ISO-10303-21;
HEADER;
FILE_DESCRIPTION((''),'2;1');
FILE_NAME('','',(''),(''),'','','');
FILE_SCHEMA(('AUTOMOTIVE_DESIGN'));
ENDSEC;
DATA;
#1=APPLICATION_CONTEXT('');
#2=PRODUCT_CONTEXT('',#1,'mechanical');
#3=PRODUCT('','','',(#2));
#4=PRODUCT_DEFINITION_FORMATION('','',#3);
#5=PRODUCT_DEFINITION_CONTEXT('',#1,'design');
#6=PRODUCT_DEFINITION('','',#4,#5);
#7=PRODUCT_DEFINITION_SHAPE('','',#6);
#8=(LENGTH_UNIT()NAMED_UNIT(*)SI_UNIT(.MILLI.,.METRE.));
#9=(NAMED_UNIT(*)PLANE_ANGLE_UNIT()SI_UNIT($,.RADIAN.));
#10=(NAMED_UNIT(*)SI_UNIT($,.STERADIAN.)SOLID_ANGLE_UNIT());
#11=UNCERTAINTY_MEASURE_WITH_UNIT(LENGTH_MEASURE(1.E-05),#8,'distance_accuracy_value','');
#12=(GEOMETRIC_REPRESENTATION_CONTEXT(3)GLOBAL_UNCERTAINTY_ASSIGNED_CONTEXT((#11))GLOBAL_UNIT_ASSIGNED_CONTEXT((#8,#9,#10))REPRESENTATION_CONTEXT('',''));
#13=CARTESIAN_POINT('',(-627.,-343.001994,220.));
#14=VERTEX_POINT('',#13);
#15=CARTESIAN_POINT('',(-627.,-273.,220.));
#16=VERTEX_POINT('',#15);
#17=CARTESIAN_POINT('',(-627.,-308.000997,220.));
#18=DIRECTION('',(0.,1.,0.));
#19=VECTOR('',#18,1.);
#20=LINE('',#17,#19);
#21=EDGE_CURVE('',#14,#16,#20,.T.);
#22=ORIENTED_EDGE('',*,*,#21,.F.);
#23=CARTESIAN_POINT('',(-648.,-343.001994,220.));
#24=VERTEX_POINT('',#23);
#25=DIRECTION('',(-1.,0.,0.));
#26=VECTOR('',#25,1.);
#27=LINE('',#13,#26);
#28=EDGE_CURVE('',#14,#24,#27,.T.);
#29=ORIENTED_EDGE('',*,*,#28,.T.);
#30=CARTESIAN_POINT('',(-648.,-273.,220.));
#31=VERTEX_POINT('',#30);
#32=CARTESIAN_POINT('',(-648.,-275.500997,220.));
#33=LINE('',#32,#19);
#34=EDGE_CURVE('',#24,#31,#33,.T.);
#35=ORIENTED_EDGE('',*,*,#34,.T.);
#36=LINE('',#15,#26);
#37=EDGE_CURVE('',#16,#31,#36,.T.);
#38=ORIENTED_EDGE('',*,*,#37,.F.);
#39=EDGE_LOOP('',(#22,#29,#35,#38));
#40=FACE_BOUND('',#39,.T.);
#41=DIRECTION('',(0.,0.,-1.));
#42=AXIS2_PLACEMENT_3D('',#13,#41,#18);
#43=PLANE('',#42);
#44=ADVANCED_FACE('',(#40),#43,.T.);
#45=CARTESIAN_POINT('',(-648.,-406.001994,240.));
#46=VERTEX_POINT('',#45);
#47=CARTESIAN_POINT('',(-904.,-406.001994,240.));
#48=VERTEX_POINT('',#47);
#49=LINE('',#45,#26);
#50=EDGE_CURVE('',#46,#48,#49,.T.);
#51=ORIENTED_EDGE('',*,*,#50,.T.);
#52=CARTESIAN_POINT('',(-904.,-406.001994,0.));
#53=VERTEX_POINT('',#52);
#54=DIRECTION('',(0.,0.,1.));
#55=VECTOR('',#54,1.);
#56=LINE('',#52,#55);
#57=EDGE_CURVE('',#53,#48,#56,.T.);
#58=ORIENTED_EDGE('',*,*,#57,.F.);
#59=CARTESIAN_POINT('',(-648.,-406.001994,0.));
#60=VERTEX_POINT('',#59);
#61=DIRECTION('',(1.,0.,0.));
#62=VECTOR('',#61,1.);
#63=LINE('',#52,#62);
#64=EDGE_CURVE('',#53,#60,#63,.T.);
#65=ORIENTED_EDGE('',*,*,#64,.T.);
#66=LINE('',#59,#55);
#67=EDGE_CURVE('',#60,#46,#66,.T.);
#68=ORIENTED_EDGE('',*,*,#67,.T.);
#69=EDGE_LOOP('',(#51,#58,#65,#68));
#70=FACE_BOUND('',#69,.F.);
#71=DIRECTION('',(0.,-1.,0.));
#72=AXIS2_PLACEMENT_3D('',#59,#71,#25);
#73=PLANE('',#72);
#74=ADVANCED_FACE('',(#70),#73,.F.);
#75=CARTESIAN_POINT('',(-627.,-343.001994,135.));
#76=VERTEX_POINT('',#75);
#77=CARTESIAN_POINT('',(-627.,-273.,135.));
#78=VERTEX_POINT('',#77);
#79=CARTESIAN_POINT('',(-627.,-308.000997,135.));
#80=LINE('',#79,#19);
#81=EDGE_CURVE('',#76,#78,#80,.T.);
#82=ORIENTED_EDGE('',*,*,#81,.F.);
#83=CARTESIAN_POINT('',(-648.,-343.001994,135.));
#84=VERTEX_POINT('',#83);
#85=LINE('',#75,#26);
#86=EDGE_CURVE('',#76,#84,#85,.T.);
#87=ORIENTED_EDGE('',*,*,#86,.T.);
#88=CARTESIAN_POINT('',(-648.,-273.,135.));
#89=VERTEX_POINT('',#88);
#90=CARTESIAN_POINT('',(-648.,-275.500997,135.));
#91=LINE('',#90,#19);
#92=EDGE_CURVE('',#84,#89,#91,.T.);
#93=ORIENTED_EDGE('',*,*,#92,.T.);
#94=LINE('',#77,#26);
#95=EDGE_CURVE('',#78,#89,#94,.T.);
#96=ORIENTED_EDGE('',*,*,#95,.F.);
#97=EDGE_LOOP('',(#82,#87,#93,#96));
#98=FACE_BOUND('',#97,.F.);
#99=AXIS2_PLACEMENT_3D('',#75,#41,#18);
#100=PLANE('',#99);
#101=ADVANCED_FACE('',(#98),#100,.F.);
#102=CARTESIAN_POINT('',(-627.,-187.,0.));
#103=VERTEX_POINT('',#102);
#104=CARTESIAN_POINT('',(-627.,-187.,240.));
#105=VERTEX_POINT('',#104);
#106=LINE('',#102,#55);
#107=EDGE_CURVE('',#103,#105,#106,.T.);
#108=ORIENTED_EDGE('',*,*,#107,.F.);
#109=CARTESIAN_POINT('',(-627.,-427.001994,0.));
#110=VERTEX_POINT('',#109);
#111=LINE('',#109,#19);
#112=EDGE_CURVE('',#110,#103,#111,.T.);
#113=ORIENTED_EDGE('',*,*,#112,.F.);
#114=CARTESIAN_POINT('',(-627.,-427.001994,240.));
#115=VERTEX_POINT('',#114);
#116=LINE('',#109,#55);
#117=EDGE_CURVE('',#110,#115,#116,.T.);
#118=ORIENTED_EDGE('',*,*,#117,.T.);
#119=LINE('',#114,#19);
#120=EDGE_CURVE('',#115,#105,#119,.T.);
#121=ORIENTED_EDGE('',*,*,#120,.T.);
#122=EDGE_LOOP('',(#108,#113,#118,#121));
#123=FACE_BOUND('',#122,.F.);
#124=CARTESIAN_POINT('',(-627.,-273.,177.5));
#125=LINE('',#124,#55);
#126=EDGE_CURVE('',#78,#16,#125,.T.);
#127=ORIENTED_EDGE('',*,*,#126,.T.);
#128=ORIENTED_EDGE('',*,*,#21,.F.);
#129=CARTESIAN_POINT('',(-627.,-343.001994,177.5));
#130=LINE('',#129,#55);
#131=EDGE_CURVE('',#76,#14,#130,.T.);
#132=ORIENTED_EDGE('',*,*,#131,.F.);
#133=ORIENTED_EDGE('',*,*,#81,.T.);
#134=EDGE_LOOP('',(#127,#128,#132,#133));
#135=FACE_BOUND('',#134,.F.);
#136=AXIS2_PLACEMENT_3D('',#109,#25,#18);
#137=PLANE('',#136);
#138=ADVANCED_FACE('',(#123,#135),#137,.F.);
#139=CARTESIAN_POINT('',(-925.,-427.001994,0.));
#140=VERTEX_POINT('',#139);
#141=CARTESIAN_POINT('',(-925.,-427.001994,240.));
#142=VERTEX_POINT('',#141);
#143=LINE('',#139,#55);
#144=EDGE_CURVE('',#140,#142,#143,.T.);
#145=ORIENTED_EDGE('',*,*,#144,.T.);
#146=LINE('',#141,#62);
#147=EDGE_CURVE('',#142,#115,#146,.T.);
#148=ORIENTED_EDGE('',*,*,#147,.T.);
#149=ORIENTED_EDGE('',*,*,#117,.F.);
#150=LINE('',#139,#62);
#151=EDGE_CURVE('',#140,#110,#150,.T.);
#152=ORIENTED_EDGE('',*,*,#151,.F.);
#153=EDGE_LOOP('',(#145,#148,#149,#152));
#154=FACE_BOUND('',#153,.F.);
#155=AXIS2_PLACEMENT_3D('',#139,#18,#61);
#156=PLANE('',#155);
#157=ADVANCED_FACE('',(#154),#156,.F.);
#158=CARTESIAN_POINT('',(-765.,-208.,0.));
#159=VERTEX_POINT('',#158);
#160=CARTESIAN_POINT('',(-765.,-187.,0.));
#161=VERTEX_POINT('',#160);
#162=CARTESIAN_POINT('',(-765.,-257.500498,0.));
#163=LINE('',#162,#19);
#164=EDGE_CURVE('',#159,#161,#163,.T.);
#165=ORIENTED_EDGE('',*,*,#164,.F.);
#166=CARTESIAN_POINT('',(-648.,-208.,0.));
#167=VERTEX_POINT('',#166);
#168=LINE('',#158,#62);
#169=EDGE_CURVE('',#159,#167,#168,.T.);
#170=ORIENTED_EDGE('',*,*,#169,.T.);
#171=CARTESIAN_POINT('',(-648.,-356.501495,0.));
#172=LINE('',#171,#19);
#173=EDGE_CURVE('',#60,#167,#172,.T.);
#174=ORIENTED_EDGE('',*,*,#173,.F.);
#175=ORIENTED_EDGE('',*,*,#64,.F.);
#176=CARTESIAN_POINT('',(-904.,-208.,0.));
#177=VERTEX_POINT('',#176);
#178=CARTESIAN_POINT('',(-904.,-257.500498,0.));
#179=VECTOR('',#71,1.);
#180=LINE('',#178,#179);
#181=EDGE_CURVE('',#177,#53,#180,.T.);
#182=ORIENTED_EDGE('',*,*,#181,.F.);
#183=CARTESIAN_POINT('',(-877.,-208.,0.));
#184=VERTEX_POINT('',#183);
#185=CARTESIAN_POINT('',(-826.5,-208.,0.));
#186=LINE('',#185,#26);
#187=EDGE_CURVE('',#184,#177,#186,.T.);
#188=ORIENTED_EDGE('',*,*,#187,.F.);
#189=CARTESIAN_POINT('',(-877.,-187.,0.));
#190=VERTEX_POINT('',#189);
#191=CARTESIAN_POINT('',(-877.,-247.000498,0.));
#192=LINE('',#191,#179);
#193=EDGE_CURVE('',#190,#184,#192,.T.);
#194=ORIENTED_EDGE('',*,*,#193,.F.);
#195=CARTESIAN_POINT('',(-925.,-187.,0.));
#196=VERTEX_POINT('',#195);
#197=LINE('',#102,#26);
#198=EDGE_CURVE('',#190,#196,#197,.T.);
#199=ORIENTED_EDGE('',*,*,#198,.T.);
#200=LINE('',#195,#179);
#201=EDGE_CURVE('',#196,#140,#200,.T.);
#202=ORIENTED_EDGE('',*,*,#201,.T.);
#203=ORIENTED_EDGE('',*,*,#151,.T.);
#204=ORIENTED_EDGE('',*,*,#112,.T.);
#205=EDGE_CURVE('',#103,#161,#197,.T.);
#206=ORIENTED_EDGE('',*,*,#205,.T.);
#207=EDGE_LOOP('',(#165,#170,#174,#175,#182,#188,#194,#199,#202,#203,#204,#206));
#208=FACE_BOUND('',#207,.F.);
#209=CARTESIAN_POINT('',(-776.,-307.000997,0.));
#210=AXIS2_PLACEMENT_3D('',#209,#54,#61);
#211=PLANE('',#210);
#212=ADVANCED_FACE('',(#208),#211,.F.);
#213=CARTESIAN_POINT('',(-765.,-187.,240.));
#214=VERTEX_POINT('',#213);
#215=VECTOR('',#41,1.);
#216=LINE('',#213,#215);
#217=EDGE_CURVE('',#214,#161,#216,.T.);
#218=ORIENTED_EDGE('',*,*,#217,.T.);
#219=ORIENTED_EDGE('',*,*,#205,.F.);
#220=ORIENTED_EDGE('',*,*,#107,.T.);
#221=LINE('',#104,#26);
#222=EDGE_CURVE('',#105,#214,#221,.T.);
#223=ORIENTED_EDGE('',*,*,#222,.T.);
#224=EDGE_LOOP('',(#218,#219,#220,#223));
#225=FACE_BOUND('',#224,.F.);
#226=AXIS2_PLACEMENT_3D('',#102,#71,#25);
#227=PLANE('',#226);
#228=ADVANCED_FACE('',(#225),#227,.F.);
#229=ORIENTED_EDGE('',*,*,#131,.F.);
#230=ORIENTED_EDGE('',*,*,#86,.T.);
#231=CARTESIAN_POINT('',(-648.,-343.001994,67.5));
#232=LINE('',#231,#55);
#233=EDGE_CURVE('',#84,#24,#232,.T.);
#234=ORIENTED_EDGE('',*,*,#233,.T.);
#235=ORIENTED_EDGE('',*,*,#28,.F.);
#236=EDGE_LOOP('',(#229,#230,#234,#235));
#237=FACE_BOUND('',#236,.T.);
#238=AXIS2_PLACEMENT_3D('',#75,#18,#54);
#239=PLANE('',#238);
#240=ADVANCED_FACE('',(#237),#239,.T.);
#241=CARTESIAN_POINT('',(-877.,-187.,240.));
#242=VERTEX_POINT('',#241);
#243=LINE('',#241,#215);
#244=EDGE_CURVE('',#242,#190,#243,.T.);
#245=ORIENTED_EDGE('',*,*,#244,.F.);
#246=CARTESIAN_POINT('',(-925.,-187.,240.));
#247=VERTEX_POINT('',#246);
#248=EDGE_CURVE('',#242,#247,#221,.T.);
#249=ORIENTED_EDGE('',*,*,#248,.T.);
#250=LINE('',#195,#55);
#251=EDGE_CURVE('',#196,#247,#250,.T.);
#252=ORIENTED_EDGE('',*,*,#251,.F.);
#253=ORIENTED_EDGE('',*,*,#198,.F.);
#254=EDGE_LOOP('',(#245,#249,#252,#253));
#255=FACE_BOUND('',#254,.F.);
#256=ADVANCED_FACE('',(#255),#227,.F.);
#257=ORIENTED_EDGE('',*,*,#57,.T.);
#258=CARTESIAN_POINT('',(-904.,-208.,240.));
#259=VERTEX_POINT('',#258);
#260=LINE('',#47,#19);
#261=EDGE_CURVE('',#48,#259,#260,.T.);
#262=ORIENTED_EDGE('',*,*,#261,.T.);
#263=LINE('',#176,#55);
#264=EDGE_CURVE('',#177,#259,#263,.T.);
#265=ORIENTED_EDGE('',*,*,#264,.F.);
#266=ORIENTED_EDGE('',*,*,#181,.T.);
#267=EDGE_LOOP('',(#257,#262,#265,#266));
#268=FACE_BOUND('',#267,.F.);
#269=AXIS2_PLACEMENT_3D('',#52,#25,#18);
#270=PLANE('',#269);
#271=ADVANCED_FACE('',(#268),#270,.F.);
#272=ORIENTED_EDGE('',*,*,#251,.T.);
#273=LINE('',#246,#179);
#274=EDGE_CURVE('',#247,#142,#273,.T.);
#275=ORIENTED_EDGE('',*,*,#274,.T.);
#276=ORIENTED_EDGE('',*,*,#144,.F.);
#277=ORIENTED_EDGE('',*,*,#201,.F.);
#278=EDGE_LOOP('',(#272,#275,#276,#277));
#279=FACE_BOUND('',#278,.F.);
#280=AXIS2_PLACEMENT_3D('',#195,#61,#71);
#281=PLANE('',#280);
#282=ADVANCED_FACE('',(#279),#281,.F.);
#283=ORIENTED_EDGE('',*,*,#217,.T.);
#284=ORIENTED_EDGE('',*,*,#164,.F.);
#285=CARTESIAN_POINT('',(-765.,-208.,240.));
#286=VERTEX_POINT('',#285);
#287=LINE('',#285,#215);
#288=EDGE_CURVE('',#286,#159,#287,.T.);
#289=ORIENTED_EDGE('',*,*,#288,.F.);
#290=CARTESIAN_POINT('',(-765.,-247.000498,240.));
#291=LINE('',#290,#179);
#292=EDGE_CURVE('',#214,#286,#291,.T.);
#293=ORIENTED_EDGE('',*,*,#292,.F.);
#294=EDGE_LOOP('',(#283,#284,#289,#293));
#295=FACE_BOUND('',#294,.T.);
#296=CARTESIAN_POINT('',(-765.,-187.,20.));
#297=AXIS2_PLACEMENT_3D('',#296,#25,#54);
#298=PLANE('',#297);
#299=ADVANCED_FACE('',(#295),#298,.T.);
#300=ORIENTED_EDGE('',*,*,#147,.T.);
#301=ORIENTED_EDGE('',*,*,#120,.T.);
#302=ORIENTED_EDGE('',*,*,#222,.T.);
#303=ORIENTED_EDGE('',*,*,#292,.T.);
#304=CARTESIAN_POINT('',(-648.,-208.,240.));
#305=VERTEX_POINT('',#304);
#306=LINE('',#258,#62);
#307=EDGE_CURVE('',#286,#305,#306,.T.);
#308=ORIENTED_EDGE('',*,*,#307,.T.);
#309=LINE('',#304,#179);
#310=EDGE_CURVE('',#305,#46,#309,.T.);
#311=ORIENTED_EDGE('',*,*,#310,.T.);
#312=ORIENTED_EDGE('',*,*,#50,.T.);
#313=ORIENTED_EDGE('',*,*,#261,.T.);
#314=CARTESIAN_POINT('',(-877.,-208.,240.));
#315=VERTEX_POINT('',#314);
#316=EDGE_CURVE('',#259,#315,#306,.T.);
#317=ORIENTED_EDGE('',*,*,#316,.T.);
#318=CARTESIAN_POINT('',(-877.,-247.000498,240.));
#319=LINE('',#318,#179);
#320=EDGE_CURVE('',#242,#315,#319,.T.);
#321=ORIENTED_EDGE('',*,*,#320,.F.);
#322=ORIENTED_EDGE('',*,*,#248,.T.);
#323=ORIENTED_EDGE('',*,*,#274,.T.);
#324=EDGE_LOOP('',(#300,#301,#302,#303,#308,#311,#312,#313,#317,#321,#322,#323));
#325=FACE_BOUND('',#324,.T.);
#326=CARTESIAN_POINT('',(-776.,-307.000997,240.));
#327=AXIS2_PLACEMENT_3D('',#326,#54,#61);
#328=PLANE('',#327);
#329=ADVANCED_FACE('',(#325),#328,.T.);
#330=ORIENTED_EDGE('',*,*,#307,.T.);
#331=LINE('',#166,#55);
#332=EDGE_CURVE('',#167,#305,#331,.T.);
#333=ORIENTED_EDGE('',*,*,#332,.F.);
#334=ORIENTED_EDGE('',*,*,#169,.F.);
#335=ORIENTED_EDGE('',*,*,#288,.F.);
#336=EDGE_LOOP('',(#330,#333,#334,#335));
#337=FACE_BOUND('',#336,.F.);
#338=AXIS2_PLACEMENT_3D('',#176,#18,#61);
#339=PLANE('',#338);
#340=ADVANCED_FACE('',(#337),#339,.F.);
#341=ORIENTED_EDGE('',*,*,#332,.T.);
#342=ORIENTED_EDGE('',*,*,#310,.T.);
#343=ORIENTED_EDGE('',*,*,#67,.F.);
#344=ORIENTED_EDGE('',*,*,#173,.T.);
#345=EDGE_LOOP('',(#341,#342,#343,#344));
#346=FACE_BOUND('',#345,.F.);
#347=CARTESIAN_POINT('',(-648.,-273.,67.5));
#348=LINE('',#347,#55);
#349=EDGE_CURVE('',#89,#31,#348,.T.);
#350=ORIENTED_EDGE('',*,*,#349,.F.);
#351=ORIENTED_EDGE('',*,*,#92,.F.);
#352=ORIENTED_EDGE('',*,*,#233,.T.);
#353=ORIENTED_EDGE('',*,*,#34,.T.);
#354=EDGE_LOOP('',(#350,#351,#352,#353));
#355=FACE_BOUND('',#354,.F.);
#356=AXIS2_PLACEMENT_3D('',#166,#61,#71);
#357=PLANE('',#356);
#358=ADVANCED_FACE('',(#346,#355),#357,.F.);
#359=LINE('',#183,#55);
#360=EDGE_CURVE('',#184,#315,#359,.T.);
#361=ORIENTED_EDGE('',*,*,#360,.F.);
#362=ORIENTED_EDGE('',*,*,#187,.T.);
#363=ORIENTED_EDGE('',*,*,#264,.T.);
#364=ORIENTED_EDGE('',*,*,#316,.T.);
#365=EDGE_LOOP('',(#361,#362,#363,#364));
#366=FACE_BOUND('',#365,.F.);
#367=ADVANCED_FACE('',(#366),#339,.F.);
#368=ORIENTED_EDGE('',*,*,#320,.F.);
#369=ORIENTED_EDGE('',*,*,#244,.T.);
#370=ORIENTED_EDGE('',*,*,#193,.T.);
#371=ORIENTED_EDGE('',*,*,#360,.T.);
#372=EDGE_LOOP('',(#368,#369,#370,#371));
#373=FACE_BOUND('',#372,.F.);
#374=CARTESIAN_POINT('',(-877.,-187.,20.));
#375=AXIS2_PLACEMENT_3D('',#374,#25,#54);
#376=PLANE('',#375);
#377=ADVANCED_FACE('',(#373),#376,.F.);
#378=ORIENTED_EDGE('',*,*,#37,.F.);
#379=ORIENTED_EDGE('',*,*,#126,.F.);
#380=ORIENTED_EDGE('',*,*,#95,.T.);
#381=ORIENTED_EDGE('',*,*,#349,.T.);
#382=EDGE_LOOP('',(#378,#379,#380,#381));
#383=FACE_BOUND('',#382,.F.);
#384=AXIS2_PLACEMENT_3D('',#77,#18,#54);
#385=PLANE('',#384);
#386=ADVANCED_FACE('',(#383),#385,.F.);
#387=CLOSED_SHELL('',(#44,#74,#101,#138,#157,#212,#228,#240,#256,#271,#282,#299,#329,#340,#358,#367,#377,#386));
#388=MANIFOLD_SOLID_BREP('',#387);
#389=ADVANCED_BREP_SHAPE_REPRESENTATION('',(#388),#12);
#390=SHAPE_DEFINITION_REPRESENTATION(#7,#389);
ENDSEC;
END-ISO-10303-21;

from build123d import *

# Parameters (mm, degrees)
F3_DEPTH   = 240
F5_DEPTH   = 20
F6_W       = 112
F6_H       = 241.106075
F7_DEPTH   = 25
F8_W       = 70.001994
F8_H       = 85
F9_DEPTH   = 25
F10_W      = 50
F10_H      = 198.001994
F11_DEPTH  = 50
F12_DEPTH  = 25
F11_FACE_W = 50
F11_FACE_H = 198.001994
F13_DEPTH  = 70.001


with BuildPart() as f3:
    # F2 (on face) → F3 (new body)
    with BuildSketch(Plane.XY):
        Polygon((-627, -343.001994), (-627, -273), (-627, -187), (-765, -187), (-877, -187), (-925, -187), (-925, -427.001994), (-627, -427.001994), align=None)
        Polygon((-765, -208), (-648, -208), (-648, -273), (-648, -343.001994), (-648, -406.001994), (-904, -406.001994), (-904, -208), (-877, -208), align=None, mode=Mode.SUBTRACT)
    extrude(amount=F3_DEPTH)

    # F4 (on face) → F5 (join)
    with BuildSketch(Plane.XY):
        Polygon((-648, -273), (-648, -208), (-765, -208), (-877, -208), (-904, -208), (-904, -406.001994), (-648, -406.001994), (-648, -343.001994), align=None)
    extrude(amount=F5_DEPTH)

    # F6 (on face) → F7 (cut)
    with BuildSketch(Plane(origin=(0, -187, 0), x_dir=(-1, 0, 0), z_dir=(0, 1, 0))):
        with Locations((821, 140.553037)):
            Rectangle(F6_W, F6_H)
    extrude(amount=-F7_DEPTH, mode=Mode.SUBTRACT)

    # F8 (on face) → F9 (cut)
    with BuildSketch(Plane.YZ.offset(-627)):
        with Locations((-308.000997, 177.5)):
            Rectangle(F8_W, F8_H)
    extrude(amount=-F9_DEPTH, mode=Mode.SUBTRACT)

    # F10 (on face) → F11 (join)
    with BuildSketch(Plane.XY.offset(20)):
        with Locations((-673, -307.000997)):
            Rectangle(F10_W, F10_H)
    extrude(amount=F11_DEPTH)

    # F7_face (on face) → F12 (cut)
    with BuildSketch(Plane(origin=(-777.995456, -302.145343, 20), x_dir=(1, 0, 0), z_dir=(0, 0, 1))):
        Polygon((12.995456, 115.145343), (-99.004544, 115.145343), (-99.004544, 94.145343), (-126.004544, 94.145343), (-126.004544, -103.856651), (79.995456, -103.856651), (79.995456, 94.145343), (12.995456, 94.145343), align=None)
    extrude(amount=-F12_DEPTH, mode=Mode.SUBTRACT)

    # F11_face (on face) → F13 (cut, through all)
    with BuildSketch(Plane(origin=(-673, -307.000997, 70), x_dir=(1, 0, 0), z_dir=(0, 0, 1))):
        Rectangle(F11_FACE_W, F11_FACE_H)
    extrude(amount=-F13_DEPTH, mode=Mode.SUBTRACT)


solid = f3.part
